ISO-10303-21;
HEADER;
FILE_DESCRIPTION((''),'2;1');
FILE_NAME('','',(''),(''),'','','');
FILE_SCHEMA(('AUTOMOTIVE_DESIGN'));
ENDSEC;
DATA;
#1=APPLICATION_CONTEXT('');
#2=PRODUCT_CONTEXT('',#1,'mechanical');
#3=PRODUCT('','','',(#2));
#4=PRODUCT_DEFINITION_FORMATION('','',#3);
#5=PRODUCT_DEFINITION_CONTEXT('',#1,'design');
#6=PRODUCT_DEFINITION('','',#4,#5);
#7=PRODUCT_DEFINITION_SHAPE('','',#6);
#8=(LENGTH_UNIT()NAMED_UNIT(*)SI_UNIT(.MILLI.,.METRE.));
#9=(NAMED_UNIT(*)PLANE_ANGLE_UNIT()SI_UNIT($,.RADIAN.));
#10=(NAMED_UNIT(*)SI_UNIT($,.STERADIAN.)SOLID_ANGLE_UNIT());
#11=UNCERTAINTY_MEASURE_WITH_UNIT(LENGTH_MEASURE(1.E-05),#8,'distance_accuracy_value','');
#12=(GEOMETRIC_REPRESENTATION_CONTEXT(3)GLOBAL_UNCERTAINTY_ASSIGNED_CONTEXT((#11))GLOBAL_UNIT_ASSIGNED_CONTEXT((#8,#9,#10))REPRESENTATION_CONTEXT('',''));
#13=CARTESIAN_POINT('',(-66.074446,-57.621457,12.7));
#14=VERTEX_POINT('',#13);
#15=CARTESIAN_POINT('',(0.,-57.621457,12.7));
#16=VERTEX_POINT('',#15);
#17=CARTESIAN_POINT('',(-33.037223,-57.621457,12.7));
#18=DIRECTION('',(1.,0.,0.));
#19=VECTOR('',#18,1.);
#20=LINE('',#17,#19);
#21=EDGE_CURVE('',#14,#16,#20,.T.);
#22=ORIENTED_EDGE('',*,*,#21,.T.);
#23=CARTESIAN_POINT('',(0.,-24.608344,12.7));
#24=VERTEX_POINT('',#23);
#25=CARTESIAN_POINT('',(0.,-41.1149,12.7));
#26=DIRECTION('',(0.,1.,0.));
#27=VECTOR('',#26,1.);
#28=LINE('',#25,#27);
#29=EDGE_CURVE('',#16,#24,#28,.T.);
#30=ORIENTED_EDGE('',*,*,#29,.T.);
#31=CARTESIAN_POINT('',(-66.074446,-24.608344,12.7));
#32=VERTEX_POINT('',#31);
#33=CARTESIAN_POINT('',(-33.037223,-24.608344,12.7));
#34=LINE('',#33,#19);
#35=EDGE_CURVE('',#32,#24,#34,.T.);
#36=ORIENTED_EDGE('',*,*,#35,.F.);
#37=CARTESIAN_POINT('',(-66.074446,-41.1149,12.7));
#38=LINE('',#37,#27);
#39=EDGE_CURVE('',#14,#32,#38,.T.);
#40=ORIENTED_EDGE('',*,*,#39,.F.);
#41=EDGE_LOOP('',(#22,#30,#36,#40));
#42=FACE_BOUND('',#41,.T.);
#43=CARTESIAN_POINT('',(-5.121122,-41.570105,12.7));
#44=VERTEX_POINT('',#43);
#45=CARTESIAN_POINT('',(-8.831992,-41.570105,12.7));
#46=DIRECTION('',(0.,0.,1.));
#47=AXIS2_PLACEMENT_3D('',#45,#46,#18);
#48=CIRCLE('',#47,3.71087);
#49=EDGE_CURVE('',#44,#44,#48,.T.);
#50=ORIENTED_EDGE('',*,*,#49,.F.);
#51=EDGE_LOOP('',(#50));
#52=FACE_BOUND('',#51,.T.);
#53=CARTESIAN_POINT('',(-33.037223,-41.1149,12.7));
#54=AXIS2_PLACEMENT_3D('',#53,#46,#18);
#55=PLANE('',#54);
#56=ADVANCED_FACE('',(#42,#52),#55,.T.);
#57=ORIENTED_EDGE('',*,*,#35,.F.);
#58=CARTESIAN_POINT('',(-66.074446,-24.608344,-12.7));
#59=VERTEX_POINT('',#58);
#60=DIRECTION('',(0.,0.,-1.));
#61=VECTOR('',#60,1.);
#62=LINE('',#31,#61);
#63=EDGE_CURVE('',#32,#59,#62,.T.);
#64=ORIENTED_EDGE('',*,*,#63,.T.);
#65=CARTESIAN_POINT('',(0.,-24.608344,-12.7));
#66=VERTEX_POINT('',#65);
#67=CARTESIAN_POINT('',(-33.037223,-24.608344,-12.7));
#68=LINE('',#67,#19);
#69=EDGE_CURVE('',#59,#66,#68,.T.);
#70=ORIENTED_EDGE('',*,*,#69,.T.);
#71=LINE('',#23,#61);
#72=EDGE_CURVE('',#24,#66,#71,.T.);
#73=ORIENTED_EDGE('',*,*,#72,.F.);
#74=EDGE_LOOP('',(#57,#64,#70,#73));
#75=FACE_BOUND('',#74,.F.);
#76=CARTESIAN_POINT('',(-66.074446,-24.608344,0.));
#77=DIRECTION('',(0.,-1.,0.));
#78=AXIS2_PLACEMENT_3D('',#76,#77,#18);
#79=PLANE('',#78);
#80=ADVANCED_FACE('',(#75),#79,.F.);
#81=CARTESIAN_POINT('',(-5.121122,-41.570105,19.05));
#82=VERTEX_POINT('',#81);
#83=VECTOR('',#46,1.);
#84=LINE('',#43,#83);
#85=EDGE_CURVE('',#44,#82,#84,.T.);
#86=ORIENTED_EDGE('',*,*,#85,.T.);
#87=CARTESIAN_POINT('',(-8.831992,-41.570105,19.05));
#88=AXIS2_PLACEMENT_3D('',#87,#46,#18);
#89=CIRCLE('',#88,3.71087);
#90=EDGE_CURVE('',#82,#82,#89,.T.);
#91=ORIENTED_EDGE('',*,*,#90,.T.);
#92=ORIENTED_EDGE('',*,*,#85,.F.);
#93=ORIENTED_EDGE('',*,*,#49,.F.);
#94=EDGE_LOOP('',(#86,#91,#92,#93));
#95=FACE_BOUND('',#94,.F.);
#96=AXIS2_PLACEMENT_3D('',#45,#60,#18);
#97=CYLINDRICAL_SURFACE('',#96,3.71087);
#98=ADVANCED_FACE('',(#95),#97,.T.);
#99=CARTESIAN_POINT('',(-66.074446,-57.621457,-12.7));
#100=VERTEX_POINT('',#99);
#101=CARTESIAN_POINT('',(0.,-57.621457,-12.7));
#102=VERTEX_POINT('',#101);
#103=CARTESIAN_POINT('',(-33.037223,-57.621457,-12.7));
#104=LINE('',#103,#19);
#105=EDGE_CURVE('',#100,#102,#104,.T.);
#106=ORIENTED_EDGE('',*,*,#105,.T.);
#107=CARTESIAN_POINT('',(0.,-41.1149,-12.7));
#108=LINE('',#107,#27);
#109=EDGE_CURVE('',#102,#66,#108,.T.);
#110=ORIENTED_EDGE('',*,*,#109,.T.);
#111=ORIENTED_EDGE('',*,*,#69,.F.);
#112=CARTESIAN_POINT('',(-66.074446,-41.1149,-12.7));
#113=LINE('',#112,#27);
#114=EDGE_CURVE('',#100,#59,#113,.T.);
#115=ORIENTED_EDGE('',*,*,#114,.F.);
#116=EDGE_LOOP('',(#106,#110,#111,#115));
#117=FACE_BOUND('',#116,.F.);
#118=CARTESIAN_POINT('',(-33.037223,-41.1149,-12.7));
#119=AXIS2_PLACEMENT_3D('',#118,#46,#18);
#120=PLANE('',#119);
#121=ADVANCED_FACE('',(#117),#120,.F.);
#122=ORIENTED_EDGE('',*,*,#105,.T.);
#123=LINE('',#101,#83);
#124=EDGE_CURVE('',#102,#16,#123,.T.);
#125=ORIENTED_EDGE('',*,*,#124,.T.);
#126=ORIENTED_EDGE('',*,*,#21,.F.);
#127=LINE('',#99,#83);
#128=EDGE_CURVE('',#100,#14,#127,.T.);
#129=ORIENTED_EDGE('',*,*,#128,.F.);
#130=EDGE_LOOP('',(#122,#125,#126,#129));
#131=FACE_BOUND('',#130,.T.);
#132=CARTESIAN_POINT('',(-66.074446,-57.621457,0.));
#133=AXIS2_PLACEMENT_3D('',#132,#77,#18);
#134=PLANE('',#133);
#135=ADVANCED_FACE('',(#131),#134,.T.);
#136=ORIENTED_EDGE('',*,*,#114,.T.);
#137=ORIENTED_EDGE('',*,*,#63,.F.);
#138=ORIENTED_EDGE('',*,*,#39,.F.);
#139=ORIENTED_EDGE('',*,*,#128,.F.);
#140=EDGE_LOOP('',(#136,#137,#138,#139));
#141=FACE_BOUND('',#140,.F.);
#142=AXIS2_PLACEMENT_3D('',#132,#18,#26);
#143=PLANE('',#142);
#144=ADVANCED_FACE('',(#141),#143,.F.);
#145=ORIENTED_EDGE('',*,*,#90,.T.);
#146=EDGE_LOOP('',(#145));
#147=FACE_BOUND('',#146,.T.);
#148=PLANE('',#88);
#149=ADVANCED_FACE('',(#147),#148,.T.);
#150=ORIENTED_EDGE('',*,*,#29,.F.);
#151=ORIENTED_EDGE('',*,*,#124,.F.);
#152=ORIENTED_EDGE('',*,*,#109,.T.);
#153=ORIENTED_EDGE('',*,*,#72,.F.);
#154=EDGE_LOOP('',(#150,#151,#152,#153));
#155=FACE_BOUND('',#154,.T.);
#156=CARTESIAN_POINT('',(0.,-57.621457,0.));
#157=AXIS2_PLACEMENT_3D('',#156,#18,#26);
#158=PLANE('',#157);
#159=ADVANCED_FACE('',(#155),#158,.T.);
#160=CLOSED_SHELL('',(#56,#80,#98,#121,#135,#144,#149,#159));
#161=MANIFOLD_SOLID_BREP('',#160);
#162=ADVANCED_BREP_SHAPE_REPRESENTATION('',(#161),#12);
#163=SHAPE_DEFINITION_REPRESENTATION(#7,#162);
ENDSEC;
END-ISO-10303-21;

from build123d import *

# Parameters (mm, degrees)
F0_W     = 66.074446
F0_H     = 33.013113
F1_DEPTH = 12.7
F2_R     = 3.71087
F3_DEPTH = 6.35


with BuildPart() as f1:
    # F0 (on Top) → F1 (new body, symmetric)
    with BuildSketch(Plane.XY):
        with Locations((-33.037223, -41.1149)):
            Rectangle(F0_W, F0_H)
    extrude(amount=F1_DEPTH, both=True)

    # F2 (on face) → F3 (join)
    with BuildSketch(Plane.XY.offset(12.7)):
        with Locations((-8.831992, -41.570105)):
            Circle(F2_R)
    extrude(amount=F3_DEPTH)


solid = f1.part
